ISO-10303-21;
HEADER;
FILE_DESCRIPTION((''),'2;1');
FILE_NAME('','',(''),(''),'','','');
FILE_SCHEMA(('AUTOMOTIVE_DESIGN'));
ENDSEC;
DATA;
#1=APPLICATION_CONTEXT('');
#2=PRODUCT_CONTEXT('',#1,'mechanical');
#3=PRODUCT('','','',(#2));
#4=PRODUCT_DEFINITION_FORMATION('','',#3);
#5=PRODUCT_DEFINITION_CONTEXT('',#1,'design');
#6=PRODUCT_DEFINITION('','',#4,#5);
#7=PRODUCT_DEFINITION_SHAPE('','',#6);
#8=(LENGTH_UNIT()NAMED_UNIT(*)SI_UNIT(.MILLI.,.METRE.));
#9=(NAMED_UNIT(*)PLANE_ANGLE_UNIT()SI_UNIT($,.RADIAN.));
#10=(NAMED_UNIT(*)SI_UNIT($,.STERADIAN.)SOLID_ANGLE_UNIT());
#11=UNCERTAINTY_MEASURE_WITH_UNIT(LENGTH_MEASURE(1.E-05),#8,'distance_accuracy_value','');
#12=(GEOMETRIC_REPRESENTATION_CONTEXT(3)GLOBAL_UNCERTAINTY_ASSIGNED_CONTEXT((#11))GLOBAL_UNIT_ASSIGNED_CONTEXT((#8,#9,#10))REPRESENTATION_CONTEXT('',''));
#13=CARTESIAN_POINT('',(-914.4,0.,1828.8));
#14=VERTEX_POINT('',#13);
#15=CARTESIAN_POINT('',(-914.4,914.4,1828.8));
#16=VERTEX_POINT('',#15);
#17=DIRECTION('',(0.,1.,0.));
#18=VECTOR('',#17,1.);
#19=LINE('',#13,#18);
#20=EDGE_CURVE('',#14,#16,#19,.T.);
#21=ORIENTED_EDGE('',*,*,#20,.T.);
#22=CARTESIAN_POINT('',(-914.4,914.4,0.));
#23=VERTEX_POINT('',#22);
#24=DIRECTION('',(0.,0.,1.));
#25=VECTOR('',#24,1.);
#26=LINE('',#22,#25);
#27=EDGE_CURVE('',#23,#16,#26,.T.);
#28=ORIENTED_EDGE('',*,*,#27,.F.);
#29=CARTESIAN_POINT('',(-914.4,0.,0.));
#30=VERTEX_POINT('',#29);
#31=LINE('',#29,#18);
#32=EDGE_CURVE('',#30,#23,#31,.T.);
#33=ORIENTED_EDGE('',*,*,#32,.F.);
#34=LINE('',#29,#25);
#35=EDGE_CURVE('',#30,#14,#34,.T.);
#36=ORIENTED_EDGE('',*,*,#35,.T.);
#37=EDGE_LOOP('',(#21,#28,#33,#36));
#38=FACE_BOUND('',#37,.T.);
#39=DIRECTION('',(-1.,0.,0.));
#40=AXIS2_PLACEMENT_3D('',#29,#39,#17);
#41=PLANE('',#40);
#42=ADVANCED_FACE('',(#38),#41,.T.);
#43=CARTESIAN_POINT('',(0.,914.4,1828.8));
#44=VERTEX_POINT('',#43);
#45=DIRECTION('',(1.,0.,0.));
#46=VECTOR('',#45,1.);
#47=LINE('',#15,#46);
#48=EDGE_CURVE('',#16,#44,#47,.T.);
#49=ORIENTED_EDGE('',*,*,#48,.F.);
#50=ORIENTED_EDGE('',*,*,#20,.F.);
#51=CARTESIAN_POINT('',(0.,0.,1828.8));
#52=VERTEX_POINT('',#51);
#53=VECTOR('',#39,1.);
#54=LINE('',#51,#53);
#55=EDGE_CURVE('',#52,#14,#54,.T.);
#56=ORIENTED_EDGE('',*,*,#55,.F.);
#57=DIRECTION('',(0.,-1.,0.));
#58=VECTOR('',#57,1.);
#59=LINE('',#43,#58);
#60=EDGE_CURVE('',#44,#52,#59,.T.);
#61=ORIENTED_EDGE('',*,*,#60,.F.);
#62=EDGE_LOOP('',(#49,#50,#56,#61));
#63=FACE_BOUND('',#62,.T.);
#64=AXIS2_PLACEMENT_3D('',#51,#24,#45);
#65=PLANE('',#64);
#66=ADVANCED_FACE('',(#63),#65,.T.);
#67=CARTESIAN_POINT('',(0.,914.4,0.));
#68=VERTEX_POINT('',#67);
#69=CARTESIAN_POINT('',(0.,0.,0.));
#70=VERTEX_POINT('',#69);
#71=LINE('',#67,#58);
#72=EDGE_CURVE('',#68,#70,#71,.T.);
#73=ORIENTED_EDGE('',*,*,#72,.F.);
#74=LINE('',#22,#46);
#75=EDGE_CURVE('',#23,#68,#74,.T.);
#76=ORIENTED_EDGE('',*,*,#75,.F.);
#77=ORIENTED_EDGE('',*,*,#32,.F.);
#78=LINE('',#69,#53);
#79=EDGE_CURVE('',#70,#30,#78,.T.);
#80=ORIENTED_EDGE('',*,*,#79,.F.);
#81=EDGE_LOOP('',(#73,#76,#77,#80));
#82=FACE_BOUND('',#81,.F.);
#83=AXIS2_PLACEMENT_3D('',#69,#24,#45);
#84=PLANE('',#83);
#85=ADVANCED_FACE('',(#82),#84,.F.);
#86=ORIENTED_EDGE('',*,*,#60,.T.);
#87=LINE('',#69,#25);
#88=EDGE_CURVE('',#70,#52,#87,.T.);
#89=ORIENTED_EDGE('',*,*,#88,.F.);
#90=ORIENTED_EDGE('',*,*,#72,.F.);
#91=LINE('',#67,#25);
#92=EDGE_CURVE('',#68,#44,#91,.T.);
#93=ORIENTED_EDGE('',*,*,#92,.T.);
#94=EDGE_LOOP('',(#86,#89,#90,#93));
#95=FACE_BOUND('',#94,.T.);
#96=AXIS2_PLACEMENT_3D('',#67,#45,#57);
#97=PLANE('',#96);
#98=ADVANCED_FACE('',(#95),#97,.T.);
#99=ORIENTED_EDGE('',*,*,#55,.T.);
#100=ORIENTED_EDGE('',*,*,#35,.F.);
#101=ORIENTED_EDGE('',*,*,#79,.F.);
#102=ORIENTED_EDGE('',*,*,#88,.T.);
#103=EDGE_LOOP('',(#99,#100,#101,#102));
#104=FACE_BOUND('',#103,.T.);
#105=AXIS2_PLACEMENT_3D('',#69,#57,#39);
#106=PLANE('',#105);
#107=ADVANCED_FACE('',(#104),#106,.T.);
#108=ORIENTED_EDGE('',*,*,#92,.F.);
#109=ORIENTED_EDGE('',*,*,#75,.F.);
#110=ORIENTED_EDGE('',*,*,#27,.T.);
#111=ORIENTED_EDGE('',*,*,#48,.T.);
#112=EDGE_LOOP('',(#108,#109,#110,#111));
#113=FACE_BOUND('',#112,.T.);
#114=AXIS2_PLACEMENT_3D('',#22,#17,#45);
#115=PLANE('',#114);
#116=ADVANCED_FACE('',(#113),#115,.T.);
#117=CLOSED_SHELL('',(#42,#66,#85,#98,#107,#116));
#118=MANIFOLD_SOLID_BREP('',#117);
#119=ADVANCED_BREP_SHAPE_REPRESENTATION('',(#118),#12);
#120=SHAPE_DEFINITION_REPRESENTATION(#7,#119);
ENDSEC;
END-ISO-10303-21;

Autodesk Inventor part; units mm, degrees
ref_plane "YZ Plane" through (0, 0, 0) normal (1, 0, 0) x (0, 1, 0)
ref_plane "XZ Plane" through (0, 0, 0) normal (0, 1, 0) x (-1, 0, 0)
ref_plane "XY Plane" through (0, 0, 0) normal (0, 0, 1) x (1, 0, 0)
sketch "Sketch1" plane through (0, 0, 0) normal (0, 0, 1) x (1, 0, 0)
  line L0 (0, 0) -> (-914.4, 0)
  line L1 (-914.4, 0) -> (-914.4, 914.4)
  line L2 (-914.4, 914.4) -> (0, 914.4)
  line L3 (0, 914.4) -> (0, 0)
  dimension "d0" = 914.4
  dimension "d1" = 914.4
extrude "Extrusion1" add sketch "Sketch1" along normal blind 1828.8
properties part number "WaterAndBoatLimit" material "Water"
